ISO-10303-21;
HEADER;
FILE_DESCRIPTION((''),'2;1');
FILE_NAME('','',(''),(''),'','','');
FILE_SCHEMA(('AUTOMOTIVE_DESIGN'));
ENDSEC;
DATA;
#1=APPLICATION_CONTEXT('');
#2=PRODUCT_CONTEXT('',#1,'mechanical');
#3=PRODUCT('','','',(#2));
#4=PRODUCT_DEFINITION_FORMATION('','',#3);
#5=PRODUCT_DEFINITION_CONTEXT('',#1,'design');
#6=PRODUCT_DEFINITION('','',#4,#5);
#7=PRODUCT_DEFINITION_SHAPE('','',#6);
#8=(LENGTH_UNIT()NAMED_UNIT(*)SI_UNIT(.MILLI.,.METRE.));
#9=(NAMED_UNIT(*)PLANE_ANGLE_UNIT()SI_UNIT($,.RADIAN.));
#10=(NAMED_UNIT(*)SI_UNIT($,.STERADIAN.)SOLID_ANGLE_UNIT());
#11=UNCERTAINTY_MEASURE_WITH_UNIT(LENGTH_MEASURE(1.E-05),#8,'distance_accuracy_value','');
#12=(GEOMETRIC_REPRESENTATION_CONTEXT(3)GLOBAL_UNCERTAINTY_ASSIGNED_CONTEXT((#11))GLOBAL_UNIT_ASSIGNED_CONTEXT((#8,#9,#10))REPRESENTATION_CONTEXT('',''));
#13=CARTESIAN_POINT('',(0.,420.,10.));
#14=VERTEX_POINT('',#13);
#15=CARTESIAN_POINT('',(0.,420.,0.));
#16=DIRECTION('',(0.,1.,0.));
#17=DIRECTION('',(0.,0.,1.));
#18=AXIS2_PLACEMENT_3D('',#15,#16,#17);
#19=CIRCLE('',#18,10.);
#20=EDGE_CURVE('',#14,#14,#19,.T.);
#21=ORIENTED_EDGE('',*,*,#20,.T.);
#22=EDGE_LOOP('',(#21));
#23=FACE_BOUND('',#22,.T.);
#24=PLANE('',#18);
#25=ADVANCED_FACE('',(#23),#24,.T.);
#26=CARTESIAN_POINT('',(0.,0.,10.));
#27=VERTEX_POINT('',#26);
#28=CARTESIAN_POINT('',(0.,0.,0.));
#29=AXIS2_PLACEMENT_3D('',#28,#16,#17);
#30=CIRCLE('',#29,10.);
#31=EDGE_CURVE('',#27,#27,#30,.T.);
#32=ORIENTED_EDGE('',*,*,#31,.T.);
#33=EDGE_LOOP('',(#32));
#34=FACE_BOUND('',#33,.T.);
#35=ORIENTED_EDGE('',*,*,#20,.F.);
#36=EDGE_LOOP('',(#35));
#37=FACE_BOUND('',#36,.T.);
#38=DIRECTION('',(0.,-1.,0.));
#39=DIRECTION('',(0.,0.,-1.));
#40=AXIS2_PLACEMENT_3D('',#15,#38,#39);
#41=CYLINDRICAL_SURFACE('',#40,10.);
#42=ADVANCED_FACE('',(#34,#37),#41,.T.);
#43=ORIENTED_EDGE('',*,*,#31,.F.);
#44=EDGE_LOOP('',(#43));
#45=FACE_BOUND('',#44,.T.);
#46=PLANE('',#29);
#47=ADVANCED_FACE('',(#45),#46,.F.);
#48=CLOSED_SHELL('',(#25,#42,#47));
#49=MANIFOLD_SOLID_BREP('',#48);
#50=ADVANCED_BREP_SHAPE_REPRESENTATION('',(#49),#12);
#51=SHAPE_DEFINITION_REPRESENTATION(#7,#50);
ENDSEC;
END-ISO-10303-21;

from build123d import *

# Parameters (mm, degrees)
ESBO_O1_R                = 10
RESSALTO_EXTRUS_O1_DEPTH = 420


with BuildPart() as part:
    # Esboço1 → Ressalto-extrusão1 (new body)
    with BuildSketch(Plane(origin=(0, 0, 0), x_dir=(1, 0, 0), z_dir=(0, 1, 0))):
        with Locations(Location((0, 0, 0), (0, 0, 270))):
            Circle(ESBO_O1_R)
    extrude(amount=RESSALTO_EXTRUS_O1_DEPTH)


solid = part.part
